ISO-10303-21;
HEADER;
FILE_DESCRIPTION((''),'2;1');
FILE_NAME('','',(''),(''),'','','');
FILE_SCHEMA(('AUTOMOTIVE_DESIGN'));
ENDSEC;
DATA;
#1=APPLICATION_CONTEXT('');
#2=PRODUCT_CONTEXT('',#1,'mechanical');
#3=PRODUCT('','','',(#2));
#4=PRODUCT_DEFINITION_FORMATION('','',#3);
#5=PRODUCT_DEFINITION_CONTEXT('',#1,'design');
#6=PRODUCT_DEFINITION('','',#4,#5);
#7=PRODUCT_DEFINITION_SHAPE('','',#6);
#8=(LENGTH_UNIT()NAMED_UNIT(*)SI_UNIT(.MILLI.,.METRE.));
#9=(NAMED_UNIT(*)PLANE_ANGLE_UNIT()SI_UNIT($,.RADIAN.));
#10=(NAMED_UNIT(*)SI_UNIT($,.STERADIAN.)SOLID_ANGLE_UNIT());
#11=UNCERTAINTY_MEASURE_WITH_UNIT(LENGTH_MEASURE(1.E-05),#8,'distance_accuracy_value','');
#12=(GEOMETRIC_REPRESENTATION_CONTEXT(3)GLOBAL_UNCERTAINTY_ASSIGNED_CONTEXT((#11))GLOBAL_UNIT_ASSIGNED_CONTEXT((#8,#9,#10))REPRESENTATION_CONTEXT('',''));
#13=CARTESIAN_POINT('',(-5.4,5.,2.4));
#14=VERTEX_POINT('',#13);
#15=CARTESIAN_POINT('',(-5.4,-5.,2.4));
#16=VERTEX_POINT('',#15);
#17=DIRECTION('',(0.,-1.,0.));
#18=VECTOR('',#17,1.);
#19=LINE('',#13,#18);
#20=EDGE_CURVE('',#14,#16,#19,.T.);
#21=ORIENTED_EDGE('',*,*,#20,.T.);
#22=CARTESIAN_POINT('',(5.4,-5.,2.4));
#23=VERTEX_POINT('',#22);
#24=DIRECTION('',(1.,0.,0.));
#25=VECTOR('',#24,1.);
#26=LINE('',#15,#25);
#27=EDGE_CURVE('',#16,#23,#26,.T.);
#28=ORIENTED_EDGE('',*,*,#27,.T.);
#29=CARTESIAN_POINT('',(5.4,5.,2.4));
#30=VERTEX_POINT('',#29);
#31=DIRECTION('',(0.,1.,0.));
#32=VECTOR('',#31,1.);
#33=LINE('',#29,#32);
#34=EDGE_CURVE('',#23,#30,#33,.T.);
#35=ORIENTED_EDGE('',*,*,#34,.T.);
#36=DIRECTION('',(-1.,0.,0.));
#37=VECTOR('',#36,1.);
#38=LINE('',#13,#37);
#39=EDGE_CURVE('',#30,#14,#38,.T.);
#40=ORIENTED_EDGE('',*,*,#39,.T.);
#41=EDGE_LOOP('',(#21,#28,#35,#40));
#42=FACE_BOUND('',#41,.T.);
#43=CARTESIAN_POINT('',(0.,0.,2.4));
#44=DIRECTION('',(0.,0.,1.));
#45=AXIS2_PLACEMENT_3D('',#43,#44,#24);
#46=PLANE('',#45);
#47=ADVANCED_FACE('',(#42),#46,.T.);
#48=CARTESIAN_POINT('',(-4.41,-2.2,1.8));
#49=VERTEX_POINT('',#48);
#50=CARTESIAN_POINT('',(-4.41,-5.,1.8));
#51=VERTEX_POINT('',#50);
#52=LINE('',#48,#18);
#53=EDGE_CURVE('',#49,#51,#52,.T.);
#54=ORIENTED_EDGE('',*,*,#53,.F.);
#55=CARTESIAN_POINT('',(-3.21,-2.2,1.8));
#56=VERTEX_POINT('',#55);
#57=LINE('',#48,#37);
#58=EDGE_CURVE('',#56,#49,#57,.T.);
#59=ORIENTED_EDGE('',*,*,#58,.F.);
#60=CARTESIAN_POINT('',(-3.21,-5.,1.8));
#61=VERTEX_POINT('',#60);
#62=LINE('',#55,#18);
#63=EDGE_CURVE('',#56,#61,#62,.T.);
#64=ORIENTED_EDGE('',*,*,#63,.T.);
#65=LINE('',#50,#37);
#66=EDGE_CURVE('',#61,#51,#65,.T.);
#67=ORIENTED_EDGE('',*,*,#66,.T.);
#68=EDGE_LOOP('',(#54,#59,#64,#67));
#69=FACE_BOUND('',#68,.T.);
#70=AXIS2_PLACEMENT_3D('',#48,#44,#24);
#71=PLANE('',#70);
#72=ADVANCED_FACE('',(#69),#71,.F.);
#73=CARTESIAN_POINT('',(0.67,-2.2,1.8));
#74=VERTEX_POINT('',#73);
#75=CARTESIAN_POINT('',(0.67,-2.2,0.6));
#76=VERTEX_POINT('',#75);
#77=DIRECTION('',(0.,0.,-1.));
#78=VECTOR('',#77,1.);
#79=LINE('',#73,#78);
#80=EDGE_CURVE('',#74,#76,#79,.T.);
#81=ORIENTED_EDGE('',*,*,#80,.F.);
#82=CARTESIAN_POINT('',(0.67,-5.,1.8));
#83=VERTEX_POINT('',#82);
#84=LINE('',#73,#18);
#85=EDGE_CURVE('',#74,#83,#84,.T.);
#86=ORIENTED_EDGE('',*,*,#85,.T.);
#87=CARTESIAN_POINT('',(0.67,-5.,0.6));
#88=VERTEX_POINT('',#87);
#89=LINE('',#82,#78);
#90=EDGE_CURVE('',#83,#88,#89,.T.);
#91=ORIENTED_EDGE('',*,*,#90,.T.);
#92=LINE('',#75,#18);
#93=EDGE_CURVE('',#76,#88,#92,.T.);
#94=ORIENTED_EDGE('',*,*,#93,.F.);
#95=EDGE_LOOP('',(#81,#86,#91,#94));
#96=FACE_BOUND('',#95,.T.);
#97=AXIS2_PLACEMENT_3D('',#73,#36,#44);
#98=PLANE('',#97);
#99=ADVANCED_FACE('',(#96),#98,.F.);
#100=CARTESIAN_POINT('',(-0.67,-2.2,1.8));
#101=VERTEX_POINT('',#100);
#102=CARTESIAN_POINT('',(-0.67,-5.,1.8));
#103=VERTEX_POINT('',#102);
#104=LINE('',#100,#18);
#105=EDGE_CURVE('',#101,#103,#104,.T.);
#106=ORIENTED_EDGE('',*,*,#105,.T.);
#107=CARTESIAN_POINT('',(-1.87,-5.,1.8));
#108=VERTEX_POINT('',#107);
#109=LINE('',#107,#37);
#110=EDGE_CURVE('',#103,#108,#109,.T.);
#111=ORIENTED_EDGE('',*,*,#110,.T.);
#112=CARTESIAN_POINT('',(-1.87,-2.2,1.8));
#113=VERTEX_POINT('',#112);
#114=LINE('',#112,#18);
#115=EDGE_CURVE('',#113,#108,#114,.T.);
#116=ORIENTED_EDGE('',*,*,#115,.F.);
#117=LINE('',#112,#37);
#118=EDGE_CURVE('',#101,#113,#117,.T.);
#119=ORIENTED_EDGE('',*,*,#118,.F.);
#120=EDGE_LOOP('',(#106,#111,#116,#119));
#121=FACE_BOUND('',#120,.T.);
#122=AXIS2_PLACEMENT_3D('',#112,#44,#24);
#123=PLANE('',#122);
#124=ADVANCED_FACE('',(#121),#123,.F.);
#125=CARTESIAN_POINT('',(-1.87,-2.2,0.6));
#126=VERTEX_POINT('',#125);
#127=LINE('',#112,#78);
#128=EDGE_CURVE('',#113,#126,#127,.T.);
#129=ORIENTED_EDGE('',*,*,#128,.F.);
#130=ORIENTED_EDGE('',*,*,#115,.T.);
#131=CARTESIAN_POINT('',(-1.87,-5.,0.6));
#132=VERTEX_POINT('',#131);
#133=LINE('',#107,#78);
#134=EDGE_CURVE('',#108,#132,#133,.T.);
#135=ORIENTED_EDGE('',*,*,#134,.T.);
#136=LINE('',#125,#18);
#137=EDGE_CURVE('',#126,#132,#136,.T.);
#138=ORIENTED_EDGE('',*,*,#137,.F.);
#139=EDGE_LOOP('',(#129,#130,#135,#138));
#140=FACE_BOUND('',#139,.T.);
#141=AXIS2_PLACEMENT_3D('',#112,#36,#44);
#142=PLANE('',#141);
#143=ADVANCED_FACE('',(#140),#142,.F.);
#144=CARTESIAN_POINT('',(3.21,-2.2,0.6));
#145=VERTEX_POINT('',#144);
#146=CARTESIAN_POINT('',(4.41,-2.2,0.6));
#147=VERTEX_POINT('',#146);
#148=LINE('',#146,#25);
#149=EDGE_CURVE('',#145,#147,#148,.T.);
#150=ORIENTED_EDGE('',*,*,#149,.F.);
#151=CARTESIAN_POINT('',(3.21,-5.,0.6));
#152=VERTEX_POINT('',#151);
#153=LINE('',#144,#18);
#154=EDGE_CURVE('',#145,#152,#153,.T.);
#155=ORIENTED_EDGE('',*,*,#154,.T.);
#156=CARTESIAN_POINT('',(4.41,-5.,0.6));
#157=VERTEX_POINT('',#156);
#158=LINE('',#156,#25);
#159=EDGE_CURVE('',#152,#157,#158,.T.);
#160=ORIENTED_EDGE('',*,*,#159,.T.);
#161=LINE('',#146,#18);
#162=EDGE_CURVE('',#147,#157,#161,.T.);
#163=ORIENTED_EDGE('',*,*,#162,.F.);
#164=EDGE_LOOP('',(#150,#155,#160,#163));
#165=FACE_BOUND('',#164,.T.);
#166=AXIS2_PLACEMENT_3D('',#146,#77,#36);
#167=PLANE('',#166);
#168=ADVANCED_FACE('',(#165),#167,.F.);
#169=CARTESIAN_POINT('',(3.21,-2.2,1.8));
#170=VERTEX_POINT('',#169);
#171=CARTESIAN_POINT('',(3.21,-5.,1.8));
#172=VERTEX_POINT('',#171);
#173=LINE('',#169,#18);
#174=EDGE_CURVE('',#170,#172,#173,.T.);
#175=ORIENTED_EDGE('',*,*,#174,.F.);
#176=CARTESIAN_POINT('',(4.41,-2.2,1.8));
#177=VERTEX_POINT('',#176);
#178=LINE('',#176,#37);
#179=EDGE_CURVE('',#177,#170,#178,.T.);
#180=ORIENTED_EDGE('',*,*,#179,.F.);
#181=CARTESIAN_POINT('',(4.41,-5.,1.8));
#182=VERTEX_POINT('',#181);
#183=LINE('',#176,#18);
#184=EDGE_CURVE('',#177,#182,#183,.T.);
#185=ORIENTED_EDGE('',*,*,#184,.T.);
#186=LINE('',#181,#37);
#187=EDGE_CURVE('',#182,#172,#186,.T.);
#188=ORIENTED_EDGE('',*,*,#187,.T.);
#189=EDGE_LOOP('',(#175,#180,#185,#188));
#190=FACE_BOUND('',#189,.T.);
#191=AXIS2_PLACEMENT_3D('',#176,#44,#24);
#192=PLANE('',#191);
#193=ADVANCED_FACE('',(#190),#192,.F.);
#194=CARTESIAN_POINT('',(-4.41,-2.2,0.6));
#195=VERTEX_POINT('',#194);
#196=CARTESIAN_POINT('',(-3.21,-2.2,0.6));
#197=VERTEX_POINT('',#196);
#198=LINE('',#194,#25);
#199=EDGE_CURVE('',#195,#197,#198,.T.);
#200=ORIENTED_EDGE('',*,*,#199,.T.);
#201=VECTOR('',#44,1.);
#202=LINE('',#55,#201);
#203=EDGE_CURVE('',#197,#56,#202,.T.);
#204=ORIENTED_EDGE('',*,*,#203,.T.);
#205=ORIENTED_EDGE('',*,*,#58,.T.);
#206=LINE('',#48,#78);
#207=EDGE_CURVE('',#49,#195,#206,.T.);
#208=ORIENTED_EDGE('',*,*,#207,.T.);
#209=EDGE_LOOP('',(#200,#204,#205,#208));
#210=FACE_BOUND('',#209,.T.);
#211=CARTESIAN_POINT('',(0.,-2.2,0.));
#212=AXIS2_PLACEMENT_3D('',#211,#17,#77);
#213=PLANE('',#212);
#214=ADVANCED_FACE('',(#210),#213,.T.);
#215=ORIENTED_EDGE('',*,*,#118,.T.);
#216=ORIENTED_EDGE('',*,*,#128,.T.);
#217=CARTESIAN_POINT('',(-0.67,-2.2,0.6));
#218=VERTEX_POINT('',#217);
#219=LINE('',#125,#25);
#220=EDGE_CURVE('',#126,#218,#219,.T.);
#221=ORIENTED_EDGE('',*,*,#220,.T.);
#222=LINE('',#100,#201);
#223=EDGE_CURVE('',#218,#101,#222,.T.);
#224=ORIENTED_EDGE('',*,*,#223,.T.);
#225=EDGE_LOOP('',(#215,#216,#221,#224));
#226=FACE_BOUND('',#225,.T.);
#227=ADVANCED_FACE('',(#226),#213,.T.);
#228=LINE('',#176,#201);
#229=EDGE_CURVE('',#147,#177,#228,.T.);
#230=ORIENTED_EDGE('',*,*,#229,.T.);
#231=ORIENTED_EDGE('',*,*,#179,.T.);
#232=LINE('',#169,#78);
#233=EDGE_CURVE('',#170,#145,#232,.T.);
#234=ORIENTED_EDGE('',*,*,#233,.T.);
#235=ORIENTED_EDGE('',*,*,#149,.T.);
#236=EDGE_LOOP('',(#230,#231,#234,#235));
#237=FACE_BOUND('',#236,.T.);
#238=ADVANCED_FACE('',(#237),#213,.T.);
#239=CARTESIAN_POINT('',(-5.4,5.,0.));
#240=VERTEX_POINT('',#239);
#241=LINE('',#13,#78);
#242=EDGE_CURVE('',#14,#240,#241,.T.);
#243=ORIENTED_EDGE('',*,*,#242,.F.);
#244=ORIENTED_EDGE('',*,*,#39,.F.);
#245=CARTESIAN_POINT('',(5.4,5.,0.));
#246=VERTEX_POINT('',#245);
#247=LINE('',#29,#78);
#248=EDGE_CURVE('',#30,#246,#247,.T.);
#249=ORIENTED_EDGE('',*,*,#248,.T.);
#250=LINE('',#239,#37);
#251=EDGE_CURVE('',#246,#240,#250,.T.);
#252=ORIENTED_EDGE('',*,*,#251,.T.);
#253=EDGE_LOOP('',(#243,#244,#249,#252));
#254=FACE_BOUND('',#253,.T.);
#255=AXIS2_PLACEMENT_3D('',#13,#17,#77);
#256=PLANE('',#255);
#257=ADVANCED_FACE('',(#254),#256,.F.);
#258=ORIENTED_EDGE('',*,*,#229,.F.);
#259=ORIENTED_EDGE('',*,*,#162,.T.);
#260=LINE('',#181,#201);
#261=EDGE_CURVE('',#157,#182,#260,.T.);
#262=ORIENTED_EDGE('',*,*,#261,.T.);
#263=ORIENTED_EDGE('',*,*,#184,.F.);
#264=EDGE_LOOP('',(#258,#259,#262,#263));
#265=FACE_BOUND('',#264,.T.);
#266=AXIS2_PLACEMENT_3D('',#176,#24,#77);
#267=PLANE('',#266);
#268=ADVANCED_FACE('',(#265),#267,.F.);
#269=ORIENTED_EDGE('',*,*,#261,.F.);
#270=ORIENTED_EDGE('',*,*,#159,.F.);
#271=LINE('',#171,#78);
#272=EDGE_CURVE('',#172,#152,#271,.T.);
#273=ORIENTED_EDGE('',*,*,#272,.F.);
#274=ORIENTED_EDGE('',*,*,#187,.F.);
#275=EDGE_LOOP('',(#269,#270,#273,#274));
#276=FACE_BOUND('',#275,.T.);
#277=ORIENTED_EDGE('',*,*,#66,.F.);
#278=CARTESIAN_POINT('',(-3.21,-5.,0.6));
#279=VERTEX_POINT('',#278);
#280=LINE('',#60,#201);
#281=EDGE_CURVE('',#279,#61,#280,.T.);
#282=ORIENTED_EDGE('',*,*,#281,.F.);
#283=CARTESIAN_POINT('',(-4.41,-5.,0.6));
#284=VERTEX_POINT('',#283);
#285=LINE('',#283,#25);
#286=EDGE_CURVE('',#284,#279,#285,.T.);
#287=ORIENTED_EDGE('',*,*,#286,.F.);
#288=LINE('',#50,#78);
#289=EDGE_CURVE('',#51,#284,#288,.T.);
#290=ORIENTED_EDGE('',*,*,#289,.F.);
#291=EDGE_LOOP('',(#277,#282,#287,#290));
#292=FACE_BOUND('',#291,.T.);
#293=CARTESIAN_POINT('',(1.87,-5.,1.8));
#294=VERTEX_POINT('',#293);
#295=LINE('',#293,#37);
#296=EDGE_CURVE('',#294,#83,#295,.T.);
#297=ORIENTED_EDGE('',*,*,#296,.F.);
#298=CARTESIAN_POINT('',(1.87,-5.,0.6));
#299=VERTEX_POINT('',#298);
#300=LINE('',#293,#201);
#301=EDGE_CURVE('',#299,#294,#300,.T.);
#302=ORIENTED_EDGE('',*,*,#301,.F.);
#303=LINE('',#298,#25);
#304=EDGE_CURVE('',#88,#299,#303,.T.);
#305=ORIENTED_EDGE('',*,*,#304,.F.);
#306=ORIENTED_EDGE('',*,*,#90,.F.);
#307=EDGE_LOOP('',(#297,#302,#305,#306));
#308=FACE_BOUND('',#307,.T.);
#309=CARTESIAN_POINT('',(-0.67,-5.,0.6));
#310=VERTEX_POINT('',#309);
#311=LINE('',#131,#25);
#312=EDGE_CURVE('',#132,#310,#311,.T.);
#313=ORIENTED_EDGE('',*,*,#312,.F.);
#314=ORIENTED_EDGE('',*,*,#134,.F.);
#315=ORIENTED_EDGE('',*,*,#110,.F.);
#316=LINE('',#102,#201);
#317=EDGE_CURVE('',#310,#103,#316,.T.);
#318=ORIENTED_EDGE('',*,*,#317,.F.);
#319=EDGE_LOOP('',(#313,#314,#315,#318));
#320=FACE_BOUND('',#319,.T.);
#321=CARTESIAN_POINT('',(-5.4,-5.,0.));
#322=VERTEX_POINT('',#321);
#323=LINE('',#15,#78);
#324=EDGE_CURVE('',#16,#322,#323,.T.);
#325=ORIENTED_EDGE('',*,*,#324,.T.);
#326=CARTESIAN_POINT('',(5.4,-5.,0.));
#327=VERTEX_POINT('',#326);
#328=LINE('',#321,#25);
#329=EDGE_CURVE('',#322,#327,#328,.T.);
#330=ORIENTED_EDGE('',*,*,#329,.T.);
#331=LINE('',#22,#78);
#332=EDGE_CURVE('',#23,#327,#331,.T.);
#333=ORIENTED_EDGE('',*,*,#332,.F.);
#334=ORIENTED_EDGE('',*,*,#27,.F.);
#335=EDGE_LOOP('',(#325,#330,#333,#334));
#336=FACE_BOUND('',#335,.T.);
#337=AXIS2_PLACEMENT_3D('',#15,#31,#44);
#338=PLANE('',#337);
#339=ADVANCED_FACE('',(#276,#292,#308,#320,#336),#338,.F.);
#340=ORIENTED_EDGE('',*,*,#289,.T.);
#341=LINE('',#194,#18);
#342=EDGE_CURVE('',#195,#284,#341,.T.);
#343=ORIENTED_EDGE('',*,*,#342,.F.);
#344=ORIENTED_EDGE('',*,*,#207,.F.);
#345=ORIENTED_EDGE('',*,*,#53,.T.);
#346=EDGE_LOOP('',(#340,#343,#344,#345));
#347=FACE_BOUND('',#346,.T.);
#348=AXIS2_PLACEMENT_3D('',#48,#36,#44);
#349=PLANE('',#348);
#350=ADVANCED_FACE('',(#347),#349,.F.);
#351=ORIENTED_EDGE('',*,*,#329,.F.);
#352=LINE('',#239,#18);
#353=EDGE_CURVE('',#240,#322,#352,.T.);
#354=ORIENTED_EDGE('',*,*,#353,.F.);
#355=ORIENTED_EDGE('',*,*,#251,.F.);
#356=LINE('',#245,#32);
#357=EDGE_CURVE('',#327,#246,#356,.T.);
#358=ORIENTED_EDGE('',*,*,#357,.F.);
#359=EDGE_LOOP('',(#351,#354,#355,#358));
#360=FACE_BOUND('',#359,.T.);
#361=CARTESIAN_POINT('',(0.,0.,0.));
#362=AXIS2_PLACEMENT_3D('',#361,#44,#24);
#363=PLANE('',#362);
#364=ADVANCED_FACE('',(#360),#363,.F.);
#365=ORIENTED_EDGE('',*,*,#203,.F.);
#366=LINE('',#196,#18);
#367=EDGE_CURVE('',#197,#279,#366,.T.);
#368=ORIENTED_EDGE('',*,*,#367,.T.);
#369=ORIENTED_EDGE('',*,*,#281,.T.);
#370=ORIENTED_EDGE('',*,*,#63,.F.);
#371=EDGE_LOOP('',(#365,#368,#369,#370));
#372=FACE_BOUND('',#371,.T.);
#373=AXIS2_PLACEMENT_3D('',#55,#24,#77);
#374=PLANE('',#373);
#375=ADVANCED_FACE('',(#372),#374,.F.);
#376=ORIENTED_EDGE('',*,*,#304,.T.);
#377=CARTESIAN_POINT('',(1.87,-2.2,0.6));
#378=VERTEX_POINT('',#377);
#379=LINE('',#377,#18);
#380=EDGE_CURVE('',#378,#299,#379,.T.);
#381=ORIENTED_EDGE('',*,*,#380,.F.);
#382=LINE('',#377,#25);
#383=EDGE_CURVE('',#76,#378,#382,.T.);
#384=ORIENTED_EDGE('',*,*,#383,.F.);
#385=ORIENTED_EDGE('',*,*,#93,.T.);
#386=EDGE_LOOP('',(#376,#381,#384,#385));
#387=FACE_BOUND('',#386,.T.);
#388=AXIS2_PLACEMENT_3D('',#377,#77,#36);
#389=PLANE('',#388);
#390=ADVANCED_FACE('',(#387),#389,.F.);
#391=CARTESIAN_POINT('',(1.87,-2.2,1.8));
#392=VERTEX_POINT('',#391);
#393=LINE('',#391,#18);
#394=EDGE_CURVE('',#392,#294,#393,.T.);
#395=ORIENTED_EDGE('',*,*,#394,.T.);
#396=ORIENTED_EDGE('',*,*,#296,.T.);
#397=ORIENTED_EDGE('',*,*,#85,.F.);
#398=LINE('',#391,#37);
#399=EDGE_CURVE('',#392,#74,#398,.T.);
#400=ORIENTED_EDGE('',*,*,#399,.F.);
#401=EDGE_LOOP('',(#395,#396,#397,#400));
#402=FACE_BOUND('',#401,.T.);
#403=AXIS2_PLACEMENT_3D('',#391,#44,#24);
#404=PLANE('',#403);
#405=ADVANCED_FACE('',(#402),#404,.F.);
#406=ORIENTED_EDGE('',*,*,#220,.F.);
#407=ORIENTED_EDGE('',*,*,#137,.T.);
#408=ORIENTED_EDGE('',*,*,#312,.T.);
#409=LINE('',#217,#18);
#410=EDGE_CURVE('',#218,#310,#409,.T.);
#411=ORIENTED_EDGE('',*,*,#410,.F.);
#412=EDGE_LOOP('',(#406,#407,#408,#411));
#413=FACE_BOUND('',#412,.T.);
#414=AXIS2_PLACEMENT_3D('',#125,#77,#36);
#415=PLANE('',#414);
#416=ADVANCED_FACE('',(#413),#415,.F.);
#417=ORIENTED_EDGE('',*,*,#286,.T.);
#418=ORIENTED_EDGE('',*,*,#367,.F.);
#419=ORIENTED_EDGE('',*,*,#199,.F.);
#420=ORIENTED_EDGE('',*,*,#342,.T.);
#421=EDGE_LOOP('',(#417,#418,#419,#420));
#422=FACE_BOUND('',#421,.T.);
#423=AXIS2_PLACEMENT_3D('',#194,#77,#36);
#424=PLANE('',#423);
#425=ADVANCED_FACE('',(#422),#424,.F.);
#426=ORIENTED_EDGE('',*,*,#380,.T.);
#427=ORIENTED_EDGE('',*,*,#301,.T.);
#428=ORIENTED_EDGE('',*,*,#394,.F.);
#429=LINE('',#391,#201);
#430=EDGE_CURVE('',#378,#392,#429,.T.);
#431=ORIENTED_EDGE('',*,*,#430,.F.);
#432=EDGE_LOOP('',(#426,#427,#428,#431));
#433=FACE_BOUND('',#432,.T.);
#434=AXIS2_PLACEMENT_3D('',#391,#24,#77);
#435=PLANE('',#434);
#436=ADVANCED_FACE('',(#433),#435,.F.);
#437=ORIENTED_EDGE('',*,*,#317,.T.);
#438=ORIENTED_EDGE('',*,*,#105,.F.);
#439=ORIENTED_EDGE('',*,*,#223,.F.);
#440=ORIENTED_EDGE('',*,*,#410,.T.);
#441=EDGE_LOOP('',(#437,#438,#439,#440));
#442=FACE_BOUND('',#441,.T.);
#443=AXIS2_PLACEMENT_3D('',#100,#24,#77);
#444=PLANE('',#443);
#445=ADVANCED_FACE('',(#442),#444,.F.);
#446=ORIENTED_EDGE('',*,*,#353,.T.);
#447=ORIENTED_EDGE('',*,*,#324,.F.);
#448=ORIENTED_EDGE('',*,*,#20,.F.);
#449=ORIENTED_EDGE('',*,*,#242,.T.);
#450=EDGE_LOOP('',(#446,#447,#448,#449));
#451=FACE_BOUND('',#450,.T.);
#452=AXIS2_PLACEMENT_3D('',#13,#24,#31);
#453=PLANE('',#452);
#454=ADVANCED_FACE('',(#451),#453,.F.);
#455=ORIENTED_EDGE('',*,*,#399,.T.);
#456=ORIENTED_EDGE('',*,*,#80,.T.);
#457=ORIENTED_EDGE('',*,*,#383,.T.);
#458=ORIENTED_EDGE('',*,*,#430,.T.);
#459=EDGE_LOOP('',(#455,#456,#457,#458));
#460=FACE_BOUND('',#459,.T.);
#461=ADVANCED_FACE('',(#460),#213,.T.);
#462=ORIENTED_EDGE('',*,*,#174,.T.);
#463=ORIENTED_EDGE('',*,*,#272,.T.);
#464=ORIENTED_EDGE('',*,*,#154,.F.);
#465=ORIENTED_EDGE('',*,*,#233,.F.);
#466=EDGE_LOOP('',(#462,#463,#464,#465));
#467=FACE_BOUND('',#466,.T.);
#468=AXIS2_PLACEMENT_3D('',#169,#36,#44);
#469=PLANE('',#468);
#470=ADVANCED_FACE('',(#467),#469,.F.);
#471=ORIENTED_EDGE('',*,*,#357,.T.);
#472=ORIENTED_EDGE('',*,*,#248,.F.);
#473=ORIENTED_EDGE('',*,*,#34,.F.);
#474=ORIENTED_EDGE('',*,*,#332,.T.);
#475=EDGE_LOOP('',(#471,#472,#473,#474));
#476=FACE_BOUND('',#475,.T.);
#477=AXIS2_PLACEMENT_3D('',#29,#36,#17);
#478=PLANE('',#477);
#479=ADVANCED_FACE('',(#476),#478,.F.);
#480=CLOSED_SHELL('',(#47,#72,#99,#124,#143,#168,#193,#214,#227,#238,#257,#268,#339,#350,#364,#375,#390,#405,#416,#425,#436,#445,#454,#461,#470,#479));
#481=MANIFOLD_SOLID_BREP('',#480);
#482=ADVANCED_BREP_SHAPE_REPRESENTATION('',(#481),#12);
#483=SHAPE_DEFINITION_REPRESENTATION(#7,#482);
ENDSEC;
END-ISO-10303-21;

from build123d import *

# Parameters (mm, degrees)
SKETCH1_W           = 10.8
SKETCH1_H           = 10
BOSS_EXTRUDE1_DEPTH = 2.4
SKETCH2_W           = 1.2
SKETCH2_H           = 1.2
CUT_EXTRUDE1_DEPTH  = 2.8


with BuildPart() as part:
    # Sketch1 → Boss-Extrude1 (new body)
    with BuildSketch(Plane.XY):
        Rectangle(SKETCH1_W, SKETCH1_H)
    extrude(amount=BOSS_EXTRUDE1_DEPTH)

    # Sketch2 → Cut-Extrude1 (cut)
    with BuildSketch(Plane.XZ.offset(5)):
        with Locations((-1.27, 1.2)):
            Rectangle(SKETCH2_W, SKETCH2_H)
        with Locations((-3.81, 1.2)):
            Rectangle(SKETCH2_W, SKETCH2_H)
        with Locations((1.27, 1.2)):
            Rectangle(SKETCH2_W, SKETCH2_H)
        with Locations((3.81, 1.2)):
            Rectangle(SKETCH2_W, SKETCH2_H)
    extrude(amount=-CUT_EXTRUDE1_DEPTH, mode=Mode.SUBTRACT)


solid = part.part
